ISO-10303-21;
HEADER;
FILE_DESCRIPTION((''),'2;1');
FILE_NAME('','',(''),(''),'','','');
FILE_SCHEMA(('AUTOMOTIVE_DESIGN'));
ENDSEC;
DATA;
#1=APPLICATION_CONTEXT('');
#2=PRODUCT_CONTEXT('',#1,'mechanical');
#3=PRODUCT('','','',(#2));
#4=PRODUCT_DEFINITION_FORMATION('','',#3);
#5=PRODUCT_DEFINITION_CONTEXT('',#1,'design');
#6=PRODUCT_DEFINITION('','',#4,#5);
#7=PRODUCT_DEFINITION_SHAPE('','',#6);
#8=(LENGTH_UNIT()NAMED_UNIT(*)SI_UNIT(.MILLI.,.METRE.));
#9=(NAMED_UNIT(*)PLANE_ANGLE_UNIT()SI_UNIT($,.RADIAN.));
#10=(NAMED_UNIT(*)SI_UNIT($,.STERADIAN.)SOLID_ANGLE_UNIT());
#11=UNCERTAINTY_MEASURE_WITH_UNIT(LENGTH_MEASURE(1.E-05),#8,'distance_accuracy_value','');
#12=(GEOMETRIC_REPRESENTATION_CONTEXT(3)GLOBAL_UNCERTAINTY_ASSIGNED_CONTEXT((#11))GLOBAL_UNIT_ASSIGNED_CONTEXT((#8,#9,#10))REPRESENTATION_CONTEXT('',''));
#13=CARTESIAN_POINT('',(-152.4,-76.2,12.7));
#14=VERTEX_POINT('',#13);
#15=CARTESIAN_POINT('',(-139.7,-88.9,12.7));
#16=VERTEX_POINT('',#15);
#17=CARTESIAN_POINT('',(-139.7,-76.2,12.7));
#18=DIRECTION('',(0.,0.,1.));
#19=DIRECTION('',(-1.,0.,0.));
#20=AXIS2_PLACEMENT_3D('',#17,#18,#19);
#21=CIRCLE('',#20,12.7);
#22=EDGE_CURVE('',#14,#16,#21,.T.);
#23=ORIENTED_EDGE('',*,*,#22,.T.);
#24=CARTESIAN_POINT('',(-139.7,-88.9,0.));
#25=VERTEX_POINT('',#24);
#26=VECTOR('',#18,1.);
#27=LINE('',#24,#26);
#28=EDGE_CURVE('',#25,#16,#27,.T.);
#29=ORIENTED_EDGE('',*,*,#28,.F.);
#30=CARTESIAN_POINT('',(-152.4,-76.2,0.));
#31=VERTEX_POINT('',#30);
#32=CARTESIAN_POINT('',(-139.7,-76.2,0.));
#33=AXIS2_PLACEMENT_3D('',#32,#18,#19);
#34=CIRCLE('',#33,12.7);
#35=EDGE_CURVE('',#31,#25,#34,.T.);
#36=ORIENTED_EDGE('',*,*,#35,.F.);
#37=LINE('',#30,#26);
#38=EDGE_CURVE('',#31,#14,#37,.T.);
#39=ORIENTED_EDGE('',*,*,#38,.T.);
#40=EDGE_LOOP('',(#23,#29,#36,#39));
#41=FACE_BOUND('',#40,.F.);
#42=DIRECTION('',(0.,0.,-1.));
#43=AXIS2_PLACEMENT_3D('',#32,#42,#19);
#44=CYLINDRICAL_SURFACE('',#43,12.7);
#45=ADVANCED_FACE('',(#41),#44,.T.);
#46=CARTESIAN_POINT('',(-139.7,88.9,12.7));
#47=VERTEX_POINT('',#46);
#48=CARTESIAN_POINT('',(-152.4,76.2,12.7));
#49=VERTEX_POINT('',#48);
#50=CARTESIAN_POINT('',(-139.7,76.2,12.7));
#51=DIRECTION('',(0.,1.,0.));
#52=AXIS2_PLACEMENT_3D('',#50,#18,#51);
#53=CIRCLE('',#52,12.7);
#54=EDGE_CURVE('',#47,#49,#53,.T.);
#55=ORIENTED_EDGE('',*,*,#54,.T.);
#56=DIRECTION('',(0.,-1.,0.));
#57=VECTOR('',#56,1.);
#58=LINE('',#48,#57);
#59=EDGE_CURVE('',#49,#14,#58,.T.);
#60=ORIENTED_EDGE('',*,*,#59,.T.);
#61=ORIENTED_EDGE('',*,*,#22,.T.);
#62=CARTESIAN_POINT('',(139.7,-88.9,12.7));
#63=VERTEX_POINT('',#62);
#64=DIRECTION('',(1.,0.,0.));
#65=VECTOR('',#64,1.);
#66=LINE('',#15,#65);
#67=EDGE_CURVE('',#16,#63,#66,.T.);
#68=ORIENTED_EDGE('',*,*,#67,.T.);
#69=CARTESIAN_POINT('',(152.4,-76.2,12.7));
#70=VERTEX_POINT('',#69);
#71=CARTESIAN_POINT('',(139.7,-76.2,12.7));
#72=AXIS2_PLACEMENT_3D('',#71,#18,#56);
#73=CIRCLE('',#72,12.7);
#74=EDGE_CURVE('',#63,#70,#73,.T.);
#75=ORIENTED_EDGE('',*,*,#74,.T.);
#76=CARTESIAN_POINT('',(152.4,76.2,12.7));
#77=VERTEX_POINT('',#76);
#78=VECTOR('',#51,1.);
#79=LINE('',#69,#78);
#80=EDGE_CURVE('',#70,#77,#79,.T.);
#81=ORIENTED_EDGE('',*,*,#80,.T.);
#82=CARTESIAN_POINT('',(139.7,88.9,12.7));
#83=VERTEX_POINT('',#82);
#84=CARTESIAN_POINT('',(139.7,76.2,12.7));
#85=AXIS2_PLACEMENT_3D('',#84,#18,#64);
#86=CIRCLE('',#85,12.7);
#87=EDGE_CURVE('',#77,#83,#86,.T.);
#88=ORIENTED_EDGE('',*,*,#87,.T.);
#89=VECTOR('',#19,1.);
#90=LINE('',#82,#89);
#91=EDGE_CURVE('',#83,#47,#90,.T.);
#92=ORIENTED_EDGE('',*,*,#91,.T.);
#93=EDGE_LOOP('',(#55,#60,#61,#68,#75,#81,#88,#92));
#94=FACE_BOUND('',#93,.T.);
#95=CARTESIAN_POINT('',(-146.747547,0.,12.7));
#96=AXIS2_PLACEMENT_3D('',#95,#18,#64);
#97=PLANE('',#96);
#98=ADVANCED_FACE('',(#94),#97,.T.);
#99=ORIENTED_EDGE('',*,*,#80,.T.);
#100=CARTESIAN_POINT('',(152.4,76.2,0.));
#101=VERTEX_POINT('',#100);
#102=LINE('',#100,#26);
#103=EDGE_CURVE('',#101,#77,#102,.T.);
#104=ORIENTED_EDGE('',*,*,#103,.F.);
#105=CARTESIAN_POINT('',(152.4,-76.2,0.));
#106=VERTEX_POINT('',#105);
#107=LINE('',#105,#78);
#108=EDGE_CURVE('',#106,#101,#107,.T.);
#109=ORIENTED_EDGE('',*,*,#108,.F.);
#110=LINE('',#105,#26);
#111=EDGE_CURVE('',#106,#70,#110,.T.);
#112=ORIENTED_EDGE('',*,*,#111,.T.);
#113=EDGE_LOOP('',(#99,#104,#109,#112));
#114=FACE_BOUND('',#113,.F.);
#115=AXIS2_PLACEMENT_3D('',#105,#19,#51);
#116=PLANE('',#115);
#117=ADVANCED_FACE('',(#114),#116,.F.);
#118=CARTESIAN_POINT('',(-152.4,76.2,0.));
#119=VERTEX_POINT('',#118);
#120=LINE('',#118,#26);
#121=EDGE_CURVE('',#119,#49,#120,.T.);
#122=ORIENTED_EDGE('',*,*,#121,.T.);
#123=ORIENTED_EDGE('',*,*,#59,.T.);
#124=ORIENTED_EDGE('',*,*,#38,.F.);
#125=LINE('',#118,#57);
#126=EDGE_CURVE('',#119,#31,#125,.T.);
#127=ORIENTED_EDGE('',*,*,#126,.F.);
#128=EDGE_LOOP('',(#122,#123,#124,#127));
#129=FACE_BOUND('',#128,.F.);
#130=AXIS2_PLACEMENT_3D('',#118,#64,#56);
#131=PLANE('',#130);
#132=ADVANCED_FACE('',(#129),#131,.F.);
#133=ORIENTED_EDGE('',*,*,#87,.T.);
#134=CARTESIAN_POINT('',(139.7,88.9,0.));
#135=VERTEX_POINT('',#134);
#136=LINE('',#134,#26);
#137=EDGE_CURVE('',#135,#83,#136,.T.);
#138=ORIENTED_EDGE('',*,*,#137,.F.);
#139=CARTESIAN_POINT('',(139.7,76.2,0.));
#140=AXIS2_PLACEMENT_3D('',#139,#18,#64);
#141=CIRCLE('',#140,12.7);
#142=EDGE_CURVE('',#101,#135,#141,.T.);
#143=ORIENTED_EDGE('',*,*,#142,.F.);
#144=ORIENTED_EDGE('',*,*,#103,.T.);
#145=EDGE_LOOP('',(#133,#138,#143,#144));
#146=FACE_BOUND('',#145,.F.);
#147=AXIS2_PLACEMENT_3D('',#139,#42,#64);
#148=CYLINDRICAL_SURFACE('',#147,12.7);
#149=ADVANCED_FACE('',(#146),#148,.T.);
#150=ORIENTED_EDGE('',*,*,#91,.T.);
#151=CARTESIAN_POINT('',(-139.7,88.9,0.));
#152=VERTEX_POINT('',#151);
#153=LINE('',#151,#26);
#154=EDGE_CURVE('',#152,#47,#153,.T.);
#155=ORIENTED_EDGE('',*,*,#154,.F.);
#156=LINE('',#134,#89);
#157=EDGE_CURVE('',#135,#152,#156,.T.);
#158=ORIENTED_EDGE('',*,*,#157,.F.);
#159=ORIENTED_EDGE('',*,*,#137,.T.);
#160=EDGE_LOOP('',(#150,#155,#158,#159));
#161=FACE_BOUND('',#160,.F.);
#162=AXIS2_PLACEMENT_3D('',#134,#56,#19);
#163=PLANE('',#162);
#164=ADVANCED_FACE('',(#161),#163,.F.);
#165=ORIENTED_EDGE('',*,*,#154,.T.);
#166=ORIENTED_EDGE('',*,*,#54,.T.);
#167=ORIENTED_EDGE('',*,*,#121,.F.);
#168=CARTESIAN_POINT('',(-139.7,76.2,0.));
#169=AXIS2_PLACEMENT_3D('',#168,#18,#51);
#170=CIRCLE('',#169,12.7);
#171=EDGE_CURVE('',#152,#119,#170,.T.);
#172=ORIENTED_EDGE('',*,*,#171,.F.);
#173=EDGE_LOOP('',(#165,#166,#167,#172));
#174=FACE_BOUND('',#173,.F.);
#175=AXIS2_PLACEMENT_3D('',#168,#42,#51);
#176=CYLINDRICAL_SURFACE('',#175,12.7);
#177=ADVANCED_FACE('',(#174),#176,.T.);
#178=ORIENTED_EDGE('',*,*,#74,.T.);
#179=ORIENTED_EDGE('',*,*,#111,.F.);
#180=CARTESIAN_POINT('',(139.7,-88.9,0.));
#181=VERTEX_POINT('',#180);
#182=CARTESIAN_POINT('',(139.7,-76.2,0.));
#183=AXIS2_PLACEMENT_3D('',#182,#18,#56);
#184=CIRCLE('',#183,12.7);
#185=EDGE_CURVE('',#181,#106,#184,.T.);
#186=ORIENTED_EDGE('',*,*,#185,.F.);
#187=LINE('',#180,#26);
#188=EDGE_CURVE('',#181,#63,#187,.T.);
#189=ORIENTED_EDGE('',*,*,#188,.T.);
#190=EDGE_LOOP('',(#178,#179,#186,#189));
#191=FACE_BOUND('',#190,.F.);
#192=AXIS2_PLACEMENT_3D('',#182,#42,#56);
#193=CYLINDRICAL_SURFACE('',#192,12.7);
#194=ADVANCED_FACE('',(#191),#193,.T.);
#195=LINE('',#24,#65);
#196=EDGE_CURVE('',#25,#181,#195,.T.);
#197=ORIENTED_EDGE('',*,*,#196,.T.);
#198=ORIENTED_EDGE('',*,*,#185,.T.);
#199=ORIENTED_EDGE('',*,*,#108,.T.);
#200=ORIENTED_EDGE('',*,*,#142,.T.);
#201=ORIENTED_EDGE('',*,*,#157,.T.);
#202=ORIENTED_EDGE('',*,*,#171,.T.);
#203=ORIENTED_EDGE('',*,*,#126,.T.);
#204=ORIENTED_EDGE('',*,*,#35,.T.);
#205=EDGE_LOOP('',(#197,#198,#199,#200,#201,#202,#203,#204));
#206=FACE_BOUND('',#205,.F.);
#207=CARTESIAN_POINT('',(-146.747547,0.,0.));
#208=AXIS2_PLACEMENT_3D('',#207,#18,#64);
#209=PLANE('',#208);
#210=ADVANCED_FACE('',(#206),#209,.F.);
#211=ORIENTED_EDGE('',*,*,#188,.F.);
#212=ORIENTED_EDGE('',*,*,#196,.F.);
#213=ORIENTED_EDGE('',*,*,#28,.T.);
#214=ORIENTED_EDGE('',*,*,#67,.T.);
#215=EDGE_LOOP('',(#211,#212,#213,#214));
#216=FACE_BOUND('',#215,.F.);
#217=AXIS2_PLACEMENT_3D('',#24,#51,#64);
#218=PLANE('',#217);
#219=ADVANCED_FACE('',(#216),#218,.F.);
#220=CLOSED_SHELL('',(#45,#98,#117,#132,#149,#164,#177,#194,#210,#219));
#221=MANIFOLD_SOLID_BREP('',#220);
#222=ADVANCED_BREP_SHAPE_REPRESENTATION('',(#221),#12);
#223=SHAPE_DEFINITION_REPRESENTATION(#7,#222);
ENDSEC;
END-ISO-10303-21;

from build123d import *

# Parameters (mm, degrees)
F1_DEPTH = 12.7


with BuildPart() as f1:
    # F0 (on Top) → F1 (new body)
    with BuildSketch(Plane.XY):
        with BuildLine():
            ThreePointArc((-139.7, 63.5), (-148.6802561211, 67.2197438789), (-152.4, 76.2))
            Line((-152.4, 76.2), (-152.4, -76.2))
            ThreePointArc((-152.4, -76.2), (-148.6802561211, -67.2197438789), (-139.7, -63.5))
            Line((-139.7, -63.5), (-139.7, 63.5))
        make_face()
        with BuildLine():
            ThreePointArc((-139.7, -63.5), (-148.6802561211, -67.2197438789), (-152.4, -76.2))
            ThreePointArc((-152.4, -76.2), (-148.6802561211, -85.1802561211), (-139.7, -88.9))
            ThreePointArc((-139.7, -88.9), (-130.7197438789, -85.1802561211), (-127, -76.2))
            Line((-127, -76.2), (-139.7, -76.2))
            Line((-139.7, -76.2), (-139.7, -63.5))
        make_face()
        with BuildLine():
            Line((127, 76.2), (-127, 76.2))
            ThreePointArc((-127, 76.2), (-130.7197438789, 67.2197438789), (-139.7, 63.5))
            Line((-139.7, 63.5), (-139.7, -63.5))
            ThreePointArc((-139.7, -63.5), (-130.7197438789, -67.2197438789), (-127, -76.2))
            Line((-127, -76.2), (127, -76.2))
            ThreePointArc((127, -76.2), (130.7197438789, -67.2197438789), (139.7, -63.5))
            Line((139.7, -63.5), (139.7, 63.5))
            ThreePointArc((139.7, 63.5), (130.7197438789, 67.2197438789), (127, 76.2))
        make_face()
        with BuildLine():
            ThreePointArc((-127, 76.2), (-130.7197438789, 85.1802561211), (-139.7, 88.9))
            ThreePointArc((-139.7, 88.9), (-148.6802561211, 85.1802561211), (-152.4, 76.2))
            ThreePointArc((-152.4, 76.2), (-148.6802561211, 67.2197438789), (-139.7, 63.5))
            Line((-139.7, 63.5), (-139.7, 76.2))
            Line((-139.7, 76.2), (-127, 76.2))
        make_face()
        with BuildLine():
            ThreePointArc((-139.7, 63.5), (-130.7197438789, 67.2197438789), (-127, 76.2))
            Line((-127, 76.2), (-139.7, 76.2))
            Line((-139.7, 76.2), (-139.7, 63.5))
        make_face()
        with BuildLine():
            Line((139.7000001575, 88.9), (-139.7, 88.9))
            ThreePointArc((-139.7, 88.9), (-130.7197438789, 85.1802561211), (-127, 76.2))
            Line((-127, 76.2), (127, 76.2))
            ThreePointArc((127, 76.2), (130.7197439346, 85.1802561767), (139.7000001575, 88.9))
        make_face()
        with BuildLine():
            ThreePointArc((152.4, 76.2), (148.6802561767, 85.1802560654), (139.7000001575, 88.9))
            ThreePointArc((139.7000001575, 88.9), (130.7197439346, 85.1802561767), (127, 76.2))
            Line((127, 76.2), (139.7, 76.2))
            Line((139.7, 76.2), (139.7, 63.5))
            ThreePointArc((139.7, 63.5), (148.6802561211, 67.2197438789), (152.4, 76.2))
        make_face()
        with BuildLine():
            Line((139.7, 76.2), (127, 76.2))
            ThreePointArc((127, 76.2), (130.7197438789, 67.2197438789), (139.7, 63.5))
            Line((139.7, 63.5), (139.7, 76.2))
        make_face()
        with BuildLine():
            Line((152.4, -76.2), (152.4, 76.2))
            ThreePointArc((152.4, 76.2), (148.6802561211, 67.2197438789), (139.7, 63.5))
            Line((139.7, 63.5), (139.7, -63.5))
            ThreePointArc((139.7, -63.5), (148.6802561211, -67.2197438789), (152.4, -76.2))
        make_face()
        with BuildLine():
            Line((139.7, -76.2), (139.7, -63.5))
            ThreePointArc((139.7, -63.5), (130.7197438789, -67.2197438789), (127, -76.2))
            Line((127, -76.2), (139.7, -76.2))
        make_face()
        with BuildLine():
            ThreePointArc((139.7, -88.9), (148.6802561211, -85.1802561211), (152.4, -76.2))
            ThreePointArc((152.4, -76.2), (148.6802561211, -67.2197438789), (139.7, -63.5))
            Line((139.7, -63.5), (139.7, -76.2))
            Line((139.7, -76.2), (127, -76.2))
            ThreePointArc((127, -76.2), (130.7197438789, -85.1802561211), (139.7, -88.9))
        make_face()
        with BuildLine():
            ThreePointArc((-127, -76.2), (-130.7197438789, -85.1802561211), (-139.7, -88.9))
            Line((-139.7, -88.9), (139.7, -88.9))
            ThreePointArc((139.7, -88.9), (130.7197438789, -85.1802561211), (127, -76.2))
            Line((127, -76.2), (-127, -76.2))
        make_face()
        with BuildLine():
            ThreePointArc((-127, -76.2), (-130.7197438789, -67.2197438789), (-139.7, -63.5))
            Line((-139.7, -63.5), (-139.7, -76.2))
            Line((-139.7, -76.2), (-127, -76.2))
        make_face()
    extrude(amount=F1_DEPTH)


solid = f1.part
